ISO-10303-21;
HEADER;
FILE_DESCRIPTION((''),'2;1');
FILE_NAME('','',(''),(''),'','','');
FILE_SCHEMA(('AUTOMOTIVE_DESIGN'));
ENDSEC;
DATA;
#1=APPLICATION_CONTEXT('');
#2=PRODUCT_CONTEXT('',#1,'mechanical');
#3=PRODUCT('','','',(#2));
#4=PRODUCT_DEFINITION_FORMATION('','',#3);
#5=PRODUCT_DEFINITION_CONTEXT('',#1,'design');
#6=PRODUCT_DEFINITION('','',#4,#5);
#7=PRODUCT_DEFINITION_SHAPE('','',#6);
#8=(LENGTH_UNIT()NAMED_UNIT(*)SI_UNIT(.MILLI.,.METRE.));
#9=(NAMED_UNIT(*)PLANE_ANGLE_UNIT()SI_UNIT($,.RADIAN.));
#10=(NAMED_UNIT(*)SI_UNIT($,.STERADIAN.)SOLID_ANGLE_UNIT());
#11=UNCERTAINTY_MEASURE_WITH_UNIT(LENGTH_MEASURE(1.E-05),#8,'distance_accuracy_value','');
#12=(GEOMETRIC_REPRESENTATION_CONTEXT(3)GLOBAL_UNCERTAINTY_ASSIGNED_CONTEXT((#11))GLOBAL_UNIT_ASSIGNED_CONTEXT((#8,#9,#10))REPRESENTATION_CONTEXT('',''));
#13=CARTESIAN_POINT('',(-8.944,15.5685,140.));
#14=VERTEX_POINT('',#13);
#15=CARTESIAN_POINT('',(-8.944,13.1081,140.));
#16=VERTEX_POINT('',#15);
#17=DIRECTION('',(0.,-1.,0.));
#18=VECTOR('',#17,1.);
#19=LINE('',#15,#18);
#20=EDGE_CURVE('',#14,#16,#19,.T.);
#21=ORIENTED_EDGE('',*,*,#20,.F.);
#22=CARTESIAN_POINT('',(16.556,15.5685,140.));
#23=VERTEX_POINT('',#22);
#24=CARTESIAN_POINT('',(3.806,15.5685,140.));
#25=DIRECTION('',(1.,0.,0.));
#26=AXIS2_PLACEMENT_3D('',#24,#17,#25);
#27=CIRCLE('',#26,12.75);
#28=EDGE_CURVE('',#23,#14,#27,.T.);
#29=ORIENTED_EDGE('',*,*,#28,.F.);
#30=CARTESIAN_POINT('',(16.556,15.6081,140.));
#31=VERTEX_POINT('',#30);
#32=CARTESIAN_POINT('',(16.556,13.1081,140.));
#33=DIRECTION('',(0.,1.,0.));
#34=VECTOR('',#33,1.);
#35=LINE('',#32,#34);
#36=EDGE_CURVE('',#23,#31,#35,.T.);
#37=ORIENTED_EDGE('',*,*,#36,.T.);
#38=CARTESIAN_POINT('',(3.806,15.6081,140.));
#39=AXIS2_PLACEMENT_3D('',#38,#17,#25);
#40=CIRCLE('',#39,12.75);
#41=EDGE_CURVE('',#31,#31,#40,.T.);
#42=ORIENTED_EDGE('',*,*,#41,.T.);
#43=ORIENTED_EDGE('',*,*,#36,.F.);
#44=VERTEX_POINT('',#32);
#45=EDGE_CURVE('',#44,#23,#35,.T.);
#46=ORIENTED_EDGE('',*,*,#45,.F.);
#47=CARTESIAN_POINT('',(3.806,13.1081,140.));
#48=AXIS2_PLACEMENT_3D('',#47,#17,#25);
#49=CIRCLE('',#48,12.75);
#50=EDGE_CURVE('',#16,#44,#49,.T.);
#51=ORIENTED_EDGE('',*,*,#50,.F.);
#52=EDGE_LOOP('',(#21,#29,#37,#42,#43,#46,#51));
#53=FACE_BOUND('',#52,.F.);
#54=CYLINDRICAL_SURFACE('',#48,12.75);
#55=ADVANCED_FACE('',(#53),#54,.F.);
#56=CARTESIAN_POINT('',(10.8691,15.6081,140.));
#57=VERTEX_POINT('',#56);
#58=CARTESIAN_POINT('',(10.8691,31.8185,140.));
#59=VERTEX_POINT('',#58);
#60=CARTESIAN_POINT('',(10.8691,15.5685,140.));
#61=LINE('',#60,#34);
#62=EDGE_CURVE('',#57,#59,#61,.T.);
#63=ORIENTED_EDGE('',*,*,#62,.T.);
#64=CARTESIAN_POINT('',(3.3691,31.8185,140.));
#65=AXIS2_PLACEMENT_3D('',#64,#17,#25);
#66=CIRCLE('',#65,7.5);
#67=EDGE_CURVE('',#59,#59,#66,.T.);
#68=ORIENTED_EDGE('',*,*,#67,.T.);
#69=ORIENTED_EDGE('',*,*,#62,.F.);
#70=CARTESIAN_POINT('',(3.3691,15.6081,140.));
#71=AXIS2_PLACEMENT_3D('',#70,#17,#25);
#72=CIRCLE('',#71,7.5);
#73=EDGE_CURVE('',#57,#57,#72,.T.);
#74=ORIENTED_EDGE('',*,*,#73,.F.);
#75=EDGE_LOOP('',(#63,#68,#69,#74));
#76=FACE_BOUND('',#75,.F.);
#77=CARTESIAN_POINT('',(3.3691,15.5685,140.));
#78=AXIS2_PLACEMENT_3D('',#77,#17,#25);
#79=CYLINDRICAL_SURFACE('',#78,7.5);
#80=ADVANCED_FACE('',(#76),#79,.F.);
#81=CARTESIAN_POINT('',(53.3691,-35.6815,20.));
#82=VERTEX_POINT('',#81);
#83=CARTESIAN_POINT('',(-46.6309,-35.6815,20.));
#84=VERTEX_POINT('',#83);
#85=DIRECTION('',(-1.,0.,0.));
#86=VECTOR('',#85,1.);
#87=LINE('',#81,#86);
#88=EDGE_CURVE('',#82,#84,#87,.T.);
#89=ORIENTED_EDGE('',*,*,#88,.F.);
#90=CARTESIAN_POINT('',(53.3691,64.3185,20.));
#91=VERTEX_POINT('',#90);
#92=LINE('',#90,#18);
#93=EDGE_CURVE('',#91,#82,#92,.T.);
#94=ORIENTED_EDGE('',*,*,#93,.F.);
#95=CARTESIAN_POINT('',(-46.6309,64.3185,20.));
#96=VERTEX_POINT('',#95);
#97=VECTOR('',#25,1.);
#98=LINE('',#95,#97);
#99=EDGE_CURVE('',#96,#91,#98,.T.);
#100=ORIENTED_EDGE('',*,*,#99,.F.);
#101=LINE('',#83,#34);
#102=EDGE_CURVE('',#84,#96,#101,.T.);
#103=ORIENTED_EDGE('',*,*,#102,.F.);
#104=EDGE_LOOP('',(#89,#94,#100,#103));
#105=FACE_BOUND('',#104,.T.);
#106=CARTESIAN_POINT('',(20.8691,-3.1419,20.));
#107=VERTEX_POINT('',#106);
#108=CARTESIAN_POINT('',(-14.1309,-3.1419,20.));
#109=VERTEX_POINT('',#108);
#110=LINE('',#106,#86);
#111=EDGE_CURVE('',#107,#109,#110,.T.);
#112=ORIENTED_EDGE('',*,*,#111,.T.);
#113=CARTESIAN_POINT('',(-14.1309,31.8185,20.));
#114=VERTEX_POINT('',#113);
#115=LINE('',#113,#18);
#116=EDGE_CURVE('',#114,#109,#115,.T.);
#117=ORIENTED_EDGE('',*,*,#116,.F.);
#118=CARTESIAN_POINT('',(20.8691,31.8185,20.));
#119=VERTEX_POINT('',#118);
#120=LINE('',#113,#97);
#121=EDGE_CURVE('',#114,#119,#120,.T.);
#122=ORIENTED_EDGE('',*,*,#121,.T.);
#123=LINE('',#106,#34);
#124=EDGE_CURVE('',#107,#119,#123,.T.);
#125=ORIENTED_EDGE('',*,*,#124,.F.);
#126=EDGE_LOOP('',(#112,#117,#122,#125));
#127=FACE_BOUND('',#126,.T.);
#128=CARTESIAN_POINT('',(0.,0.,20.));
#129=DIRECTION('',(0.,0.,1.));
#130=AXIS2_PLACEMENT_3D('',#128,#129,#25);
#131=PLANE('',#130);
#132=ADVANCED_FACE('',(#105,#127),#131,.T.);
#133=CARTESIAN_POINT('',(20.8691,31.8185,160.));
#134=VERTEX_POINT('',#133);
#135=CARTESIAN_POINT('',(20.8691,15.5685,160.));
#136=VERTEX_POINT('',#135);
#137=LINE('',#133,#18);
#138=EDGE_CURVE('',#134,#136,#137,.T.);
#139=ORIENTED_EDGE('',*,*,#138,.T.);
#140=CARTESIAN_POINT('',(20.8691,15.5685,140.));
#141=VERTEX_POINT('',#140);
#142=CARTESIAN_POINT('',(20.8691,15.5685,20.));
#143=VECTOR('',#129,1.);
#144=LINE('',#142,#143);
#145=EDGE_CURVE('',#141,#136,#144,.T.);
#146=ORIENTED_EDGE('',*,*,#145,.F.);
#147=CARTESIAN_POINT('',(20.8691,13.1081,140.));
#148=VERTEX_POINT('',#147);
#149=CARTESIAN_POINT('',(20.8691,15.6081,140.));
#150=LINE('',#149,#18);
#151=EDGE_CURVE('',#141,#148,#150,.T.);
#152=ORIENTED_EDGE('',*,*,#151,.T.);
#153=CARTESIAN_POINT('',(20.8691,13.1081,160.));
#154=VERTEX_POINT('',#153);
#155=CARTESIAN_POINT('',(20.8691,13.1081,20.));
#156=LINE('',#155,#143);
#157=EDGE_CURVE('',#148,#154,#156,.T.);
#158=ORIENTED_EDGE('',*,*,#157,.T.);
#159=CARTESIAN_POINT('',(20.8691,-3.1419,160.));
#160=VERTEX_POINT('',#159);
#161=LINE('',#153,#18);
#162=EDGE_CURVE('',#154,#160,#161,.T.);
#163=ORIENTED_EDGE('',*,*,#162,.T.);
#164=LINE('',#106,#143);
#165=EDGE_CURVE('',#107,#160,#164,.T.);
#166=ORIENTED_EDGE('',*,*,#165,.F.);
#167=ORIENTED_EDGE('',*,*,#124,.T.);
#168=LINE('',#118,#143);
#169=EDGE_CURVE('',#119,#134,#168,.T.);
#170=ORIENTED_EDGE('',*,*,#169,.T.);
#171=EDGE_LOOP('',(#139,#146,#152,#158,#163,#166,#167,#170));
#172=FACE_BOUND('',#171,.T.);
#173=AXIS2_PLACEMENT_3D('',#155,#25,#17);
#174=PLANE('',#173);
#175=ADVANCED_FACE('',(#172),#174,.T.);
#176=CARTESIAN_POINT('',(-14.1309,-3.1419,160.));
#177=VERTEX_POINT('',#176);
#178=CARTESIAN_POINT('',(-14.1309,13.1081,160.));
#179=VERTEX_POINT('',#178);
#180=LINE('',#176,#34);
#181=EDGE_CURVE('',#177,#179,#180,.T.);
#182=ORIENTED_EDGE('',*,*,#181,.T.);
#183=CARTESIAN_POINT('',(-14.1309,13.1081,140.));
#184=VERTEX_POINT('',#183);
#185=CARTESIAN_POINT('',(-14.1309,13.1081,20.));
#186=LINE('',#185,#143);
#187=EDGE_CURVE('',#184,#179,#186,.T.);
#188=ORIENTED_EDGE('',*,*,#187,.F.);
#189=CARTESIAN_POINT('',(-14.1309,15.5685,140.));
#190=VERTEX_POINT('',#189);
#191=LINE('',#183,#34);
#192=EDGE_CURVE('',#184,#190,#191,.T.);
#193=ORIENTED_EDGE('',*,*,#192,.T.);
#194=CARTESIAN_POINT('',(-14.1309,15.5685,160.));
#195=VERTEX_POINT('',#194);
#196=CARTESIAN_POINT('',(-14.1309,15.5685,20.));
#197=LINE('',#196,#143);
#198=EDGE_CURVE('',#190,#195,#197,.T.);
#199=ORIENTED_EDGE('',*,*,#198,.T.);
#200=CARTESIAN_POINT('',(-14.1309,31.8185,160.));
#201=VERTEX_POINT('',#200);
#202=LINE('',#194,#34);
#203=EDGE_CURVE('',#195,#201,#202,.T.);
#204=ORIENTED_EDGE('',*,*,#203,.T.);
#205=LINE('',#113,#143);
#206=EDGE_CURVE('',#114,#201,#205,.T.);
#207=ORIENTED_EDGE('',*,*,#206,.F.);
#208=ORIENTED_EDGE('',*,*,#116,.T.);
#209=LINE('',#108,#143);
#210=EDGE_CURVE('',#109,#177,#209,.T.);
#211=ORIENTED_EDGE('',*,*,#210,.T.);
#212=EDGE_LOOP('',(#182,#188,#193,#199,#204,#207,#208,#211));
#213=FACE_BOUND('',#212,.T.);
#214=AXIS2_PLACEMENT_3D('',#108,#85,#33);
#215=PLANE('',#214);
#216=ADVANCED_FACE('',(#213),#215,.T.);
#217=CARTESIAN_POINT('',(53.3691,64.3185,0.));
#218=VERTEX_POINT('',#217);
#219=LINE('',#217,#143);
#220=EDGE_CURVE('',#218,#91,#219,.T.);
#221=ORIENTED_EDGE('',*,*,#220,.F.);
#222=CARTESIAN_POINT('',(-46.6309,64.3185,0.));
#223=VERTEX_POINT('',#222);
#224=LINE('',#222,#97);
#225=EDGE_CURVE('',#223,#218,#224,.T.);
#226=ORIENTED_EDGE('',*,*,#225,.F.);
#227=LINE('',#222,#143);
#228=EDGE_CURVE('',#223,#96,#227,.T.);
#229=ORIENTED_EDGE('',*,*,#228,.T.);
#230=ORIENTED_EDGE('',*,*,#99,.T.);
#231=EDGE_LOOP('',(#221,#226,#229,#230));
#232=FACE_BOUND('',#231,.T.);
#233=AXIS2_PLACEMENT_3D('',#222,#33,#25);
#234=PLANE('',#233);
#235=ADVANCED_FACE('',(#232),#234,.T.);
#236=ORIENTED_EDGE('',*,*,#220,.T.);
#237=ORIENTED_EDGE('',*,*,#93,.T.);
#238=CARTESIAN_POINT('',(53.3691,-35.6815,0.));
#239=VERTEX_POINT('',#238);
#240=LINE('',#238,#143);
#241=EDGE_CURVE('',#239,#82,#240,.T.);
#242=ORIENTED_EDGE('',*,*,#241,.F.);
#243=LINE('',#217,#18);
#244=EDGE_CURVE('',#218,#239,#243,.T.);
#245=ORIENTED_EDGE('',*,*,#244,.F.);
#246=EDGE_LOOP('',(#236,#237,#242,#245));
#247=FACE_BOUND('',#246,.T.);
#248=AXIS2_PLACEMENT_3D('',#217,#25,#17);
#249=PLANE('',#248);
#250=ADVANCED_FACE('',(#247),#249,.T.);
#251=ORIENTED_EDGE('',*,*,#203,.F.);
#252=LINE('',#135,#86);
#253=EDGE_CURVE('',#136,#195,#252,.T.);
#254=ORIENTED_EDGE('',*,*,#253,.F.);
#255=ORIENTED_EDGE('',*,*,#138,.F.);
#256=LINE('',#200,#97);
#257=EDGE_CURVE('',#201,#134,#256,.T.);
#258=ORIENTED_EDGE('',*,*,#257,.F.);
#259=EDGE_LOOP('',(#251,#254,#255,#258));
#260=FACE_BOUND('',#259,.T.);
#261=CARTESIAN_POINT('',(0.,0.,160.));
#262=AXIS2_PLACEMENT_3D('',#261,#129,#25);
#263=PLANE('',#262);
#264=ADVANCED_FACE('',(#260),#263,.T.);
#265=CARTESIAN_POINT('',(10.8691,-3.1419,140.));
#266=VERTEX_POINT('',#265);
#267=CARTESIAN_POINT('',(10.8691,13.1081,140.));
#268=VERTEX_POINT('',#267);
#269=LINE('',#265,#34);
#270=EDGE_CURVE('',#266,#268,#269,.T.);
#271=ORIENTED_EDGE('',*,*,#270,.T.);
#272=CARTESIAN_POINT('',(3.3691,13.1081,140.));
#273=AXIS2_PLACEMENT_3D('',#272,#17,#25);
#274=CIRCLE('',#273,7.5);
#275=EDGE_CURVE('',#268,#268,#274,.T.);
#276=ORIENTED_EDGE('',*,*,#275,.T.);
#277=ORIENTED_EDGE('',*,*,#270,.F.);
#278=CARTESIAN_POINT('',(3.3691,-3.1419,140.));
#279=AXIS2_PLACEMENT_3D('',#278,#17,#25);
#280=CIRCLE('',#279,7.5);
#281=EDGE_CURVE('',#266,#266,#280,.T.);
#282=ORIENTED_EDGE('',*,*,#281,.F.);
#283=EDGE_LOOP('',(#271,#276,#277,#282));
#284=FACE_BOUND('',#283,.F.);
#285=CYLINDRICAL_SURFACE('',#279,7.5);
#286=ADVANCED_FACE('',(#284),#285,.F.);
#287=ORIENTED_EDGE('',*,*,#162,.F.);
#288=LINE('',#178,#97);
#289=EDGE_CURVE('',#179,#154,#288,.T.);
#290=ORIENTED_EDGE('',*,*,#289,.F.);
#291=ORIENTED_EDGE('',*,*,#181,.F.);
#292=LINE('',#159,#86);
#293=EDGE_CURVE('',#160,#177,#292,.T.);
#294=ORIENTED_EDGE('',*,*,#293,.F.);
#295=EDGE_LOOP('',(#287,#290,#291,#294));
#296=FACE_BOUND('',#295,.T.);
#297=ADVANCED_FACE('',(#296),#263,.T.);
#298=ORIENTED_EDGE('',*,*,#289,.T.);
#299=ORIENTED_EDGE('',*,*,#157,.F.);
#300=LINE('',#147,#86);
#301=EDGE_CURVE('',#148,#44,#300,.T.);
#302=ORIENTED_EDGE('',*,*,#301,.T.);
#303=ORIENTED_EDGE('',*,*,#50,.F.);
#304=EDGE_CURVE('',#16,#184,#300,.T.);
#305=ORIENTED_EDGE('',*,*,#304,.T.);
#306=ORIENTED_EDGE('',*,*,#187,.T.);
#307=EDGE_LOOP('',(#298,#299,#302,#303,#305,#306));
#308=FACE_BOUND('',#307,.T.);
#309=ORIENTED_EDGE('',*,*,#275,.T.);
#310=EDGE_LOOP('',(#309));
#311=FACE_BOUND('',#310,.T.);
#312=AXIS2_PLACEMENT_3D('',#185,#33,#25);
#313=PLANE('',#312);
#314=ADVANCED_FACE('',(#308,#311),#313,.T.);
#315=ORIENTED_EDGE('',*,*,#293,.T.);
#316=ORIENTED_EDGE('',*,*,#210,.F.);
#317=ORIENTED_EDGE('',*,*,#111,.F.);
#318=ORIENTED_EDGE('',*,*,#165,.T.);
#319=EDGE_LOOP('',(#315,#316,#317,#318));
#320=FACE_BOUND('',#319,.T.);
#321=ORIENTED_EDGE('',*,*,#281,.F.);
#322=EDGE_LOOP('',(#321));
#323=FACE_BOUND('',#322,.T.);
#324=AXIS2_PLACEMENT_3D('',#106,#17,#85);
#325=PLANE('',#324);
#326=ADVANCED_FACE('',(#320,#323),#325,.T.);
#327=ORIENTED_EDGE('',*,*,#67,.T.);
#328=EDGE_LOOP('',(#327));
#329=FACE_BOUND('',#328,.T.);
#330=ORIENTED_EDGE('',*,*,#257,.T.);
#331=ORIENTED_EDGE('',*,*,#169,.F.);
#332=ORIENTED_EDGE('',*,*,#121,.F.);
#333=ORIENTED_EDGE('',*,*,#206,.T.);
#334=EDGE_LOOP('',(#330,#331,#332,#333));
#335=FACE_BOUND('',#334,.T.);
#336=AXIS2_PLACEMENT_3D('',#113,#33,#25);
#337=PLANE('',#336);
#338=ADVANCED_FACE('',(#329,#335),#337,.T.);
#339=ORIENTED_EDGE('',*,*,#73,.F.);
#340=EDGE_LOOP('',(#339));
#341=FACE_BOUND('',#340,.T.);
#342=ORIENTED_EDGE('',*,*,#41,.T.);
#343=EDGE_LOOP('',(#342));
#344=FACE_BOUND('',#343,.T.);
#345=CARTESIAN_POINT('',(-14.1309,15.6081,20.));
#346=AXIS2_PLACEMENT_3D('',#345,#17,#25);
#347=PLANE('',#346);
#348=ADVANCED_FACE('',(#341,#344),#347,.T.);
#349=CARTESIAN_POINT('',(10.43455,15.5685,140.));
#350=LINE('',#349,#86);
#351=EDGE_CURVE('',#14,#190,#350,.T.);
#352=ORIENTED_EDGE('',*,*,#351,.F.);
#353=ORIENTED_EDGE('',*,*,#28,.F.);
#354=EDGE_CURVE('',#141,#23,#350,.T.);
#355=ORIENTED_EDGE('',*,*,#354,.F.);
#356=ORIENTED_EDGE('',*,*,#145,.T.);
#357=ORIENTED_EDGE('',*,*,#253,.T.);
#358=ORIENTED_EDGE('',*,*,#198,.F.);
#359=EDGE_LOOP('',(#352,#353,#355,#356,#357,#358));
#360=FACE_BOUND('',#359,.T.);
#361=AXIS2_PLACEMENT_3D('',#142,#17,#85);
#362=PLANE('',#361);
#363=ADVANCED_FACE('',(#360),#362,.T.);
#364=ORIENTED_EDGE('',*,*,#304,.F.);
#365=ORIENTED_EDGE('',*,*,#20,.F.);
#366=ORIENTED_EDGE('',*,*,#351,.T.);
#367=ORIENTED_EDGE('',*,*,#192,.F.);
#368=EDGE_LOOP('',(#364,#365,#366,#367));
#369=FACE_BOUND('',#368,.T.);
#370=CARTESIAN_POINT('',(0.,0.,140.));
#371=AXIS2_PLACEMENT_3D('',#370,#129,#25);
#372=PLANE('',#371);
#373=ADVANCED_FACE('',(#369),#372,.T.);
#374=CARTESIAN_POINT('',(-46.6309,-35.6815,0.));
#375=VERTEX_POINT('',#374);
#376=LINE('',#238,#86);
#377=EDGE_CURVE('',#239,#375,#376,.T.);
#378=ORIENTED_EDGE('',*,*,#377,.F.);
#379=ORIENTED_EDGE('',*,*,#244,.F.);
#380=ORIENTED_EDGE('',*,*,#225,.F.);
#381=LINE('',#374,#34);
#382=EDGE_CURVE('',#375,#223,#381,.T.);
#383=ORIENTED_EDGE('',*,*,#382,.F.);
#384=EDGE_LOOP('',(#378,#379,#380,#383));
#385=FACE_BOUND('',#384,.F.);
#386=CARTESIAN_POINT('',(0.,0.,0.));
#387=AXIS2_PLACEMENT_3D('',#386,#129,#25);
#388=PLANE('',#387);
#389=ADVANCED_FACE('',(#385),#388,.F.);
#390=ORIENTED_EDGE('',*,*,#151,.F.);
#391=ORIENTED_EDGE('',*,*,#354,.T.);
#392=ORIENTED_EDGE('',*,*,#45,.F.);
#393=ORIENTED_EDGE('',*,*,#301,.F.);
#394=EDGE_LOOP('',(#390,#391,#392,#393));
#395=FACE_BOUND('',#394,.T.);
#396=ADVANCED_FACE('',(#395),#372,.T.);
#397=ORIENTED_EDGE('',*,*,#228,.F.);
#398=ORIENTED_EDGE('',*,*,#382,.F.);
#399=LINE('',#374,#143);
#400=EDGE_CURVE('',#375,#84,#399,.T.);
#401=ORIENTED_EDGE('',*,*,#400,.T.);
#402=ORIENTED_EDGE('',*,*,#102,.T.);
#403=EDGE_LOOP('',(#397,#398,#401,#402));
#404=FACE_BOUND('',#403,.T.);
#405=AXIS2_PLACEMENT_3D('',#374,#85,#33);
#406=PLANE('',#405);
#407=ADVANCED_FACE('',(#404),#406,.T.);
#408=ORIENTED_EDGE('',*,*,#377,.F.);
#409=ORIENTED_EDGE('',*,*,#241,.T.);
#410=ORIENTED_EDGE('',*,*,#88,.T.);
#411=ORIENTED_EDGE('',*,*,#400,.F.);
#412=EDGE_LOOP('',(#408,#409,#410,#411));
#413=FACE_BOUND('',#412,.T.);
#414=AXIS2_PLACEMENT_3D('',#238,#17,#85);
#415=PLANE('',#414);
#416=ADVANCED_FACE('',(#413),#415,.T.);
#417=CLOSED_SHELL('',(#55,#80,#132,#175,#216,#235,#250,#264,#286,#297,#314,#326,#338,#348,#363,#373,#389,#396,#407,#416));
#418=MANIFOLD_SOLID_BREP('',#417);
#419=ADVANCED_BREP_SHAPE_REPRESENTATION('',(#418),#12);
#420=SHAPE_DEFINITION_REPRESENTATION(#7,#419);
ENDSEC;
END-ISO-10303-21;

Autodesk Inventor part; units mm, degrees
ref_plane "YZ Plane" through (0, 0, 0) normal (1, 0, 0) x (0, 1, 0)
ref_plane "XZ Plane" through (0, 0, 0) normal (0, 1, 0) x (-1, 0, 0)
ref_plane "XY Plane" through (0, 0, 0) normal (0, 0, 1) x (1, 0, 0)
sketch "Sketch1" plane through (0, 0, 0) normal (0, 0, 1) x (1, 0, 0)
  line L0 (-46.6309, 64.3185) -> (53.3691, 64.3185)
  line L1 (53.3691, 64.3185) -> (53.3691, -35.6815)
  line L2 (53.3691, -35.6815) -> (-46.6309, -35.6815)
  line L3 (-46.6309, -35.6815) -> (-46.6309, 64.3185)
  point P0 (0, 0)
  dimension "d0" = 100
  dimension "d1" = 100
extrude "Extrusion1" add sketch "Sketch1" along normal blind 20
sketch "Sketch2" plane through (0, 0, 20) normal (0, 0, 1) x (1, 0, 0)
  line L0 (-14.1309, 31.8185) -> (20.8691, 31.8185)
  line L1 (20.8691, 31.8185) -> (20.8691, 15.5685)
  line L2 (20.8691, 15.5685) -> (-14.1309, 15.5685)
  line L3 (-14.1309, 15.5685) -> (-14.1309, 31.8185)
  line L4 (-14.1309, 15.5685) -> (20.8691, 15.5685)
  line L5 (20.8691, 15.5685) -> (20.8691, 13.0685)
  line L6 (20.8691, 13.0685) -> (-14.1309, 13.0685)
  line L7 (-14.1309, 13.0685) -> (-14.1309, 15.5685)
  line L8 (-14.1309, 13.0685) -> (20.8691, 13.0685)
  line L9 (20.8691, 13.0685) -> (20.8691, -3.1815)
  line L10 (20.8691, -3.1815) -> (-14.1309, -3.1815)
  line L11 (-14.1309, -3.1815) -> (-14.1309, 13.0685)
  line L12 (53.3691, 64.3185) -> (-46.6309, 64.3185) projected
  line L13 (-46.6309, -35.6815) -> (53.3691, -35.6815) projected
  line L14 (53.3691, -35.6815) -> (53.3691, 64.3185) projected
  line L15 (-46.6309, 64.3185) -> (-46.6309, -35.6815) projected
  point P0 (0, 0)
  dimension "d4" = 2.5
  dimension "d5" = 16.25
  dimension "d6" = 16.25
  dimension "d7" = 32.5
  dimension "d8" = 32.5
  dimension "d9" = 32.5
  dimension "d10" = 32.5
  dimension "d11" = 48.75
extrude "Extrusion2" add sketch "Sketch2" along normal blind 140 contours L0 L1 L2 L3
sketch "Sketch3" plane through (-14.1309, 15.5685, 20) normal (0, -1, 0) x (1, 0, 0)
  circle A0 centre (17.5, 120) radius 7.5
  line L0 (-32.5, 0) -> (67.5, 0) projected
  line L1 (35, 0) -> (35, 140) projected
  point P0 (14.1309, -20)
  dimension "d14" = 120
  dimension "d15" = 15
  dimension "d16" = 17.5
extrude "Extrusion3" cut sketch "Sketch3" against normal blind 150
sketch "Sketch4" plane through (0, 0, 20) normal (0, 0, 1) x (1, 0, 0)
  point P0 (0, 0)
sketch "Sketch5" plane through (0, 0, 20) normal (0, 0, 1) x (1, 0, 0)
  line L0 (-14.1309, 15.6081) -> (20.8691, 15.6081)
  line L1 (20.8691, 15.6081) -> (20.8691, 13.1081)
  line L2 (20.8691, 13.1081) -> (-14.1309, 13.1081)
  line L3 (-14.1309, 13.1081) -> (-14.1309, 15.6081)
  line L4 (-14.1309, 31.8185) -> (-14.1309, 15.5685) projected
  point P0 (0, 0)
  dimension "d19" = 35
  dimension "d20" = 2.5
  dimension "d21" = 0
extrude "Extrusion4" add sketch "Sketch5" along normal blind 120
sketch "Sketch6" plane through (-14.1309, 13.1081, 20) normal (0, -1, 0) x (1, 0, 0)
  circle A0 centre (17.9369, 120) radius 12.75
  line L0 (-32.5, 0) -> (67.5, 0) projected
  point P0 (14.1309, -20)
  dimension "d24" = 120
  dimension "d25" = 25.5
extrude "Extrusion5" cut sketch "Sketch6" against normal blind 2.5
sketch "Sketch7" plane through (0, 0, 20) normal (0, 0, 1) x (1, 0, 0)
  line L0 (-14.1309, 15.5685) -> (-14.1309, 13.1081) projected
  line L1 (-14.1309, 13.1081) -> (20.8691, 13.1081)
  line L2 (20.8691, 13.1081) -> (20.8691, -3.1419)
  line L3 (20.8691, -3.1419) -> (-14.1309, -3.1419)
  line L4 (-14.1309, -3.1419) -> (-14.1309, 13.1081)
  point P0 (0, 0)
  dimension "d28" = 16.25
  dimension "d29" = 35
extrude "Extrusion6" add sketch "Sketch7" along normal blind 140
sketch "Sketch8" plane through (-14.1309, -3.1419, 20) normal (0, -1, 0) x (1, 0, 0)
  circle A0 centre (17.5, 120) radius 7.5
  line L0 (35, 0) -> (35, 140) projected
  line L1 (-32.5, 0) -> (67.5, 0) projected
  point P0 (14.1309, -20)
  dimension "d33" = 17.5
  dimension "d34" = 15
  dimension "d35" = 120
extrude "Extrusion7" cut sketch "Sketch8" against normal blind 16.25
equation "\"d1\" = d0"
equation "\"d6\" = d5"
equation "\"d8\" = d7"
equation "\"d10\" = d9"
properties part number "linear polariser"
